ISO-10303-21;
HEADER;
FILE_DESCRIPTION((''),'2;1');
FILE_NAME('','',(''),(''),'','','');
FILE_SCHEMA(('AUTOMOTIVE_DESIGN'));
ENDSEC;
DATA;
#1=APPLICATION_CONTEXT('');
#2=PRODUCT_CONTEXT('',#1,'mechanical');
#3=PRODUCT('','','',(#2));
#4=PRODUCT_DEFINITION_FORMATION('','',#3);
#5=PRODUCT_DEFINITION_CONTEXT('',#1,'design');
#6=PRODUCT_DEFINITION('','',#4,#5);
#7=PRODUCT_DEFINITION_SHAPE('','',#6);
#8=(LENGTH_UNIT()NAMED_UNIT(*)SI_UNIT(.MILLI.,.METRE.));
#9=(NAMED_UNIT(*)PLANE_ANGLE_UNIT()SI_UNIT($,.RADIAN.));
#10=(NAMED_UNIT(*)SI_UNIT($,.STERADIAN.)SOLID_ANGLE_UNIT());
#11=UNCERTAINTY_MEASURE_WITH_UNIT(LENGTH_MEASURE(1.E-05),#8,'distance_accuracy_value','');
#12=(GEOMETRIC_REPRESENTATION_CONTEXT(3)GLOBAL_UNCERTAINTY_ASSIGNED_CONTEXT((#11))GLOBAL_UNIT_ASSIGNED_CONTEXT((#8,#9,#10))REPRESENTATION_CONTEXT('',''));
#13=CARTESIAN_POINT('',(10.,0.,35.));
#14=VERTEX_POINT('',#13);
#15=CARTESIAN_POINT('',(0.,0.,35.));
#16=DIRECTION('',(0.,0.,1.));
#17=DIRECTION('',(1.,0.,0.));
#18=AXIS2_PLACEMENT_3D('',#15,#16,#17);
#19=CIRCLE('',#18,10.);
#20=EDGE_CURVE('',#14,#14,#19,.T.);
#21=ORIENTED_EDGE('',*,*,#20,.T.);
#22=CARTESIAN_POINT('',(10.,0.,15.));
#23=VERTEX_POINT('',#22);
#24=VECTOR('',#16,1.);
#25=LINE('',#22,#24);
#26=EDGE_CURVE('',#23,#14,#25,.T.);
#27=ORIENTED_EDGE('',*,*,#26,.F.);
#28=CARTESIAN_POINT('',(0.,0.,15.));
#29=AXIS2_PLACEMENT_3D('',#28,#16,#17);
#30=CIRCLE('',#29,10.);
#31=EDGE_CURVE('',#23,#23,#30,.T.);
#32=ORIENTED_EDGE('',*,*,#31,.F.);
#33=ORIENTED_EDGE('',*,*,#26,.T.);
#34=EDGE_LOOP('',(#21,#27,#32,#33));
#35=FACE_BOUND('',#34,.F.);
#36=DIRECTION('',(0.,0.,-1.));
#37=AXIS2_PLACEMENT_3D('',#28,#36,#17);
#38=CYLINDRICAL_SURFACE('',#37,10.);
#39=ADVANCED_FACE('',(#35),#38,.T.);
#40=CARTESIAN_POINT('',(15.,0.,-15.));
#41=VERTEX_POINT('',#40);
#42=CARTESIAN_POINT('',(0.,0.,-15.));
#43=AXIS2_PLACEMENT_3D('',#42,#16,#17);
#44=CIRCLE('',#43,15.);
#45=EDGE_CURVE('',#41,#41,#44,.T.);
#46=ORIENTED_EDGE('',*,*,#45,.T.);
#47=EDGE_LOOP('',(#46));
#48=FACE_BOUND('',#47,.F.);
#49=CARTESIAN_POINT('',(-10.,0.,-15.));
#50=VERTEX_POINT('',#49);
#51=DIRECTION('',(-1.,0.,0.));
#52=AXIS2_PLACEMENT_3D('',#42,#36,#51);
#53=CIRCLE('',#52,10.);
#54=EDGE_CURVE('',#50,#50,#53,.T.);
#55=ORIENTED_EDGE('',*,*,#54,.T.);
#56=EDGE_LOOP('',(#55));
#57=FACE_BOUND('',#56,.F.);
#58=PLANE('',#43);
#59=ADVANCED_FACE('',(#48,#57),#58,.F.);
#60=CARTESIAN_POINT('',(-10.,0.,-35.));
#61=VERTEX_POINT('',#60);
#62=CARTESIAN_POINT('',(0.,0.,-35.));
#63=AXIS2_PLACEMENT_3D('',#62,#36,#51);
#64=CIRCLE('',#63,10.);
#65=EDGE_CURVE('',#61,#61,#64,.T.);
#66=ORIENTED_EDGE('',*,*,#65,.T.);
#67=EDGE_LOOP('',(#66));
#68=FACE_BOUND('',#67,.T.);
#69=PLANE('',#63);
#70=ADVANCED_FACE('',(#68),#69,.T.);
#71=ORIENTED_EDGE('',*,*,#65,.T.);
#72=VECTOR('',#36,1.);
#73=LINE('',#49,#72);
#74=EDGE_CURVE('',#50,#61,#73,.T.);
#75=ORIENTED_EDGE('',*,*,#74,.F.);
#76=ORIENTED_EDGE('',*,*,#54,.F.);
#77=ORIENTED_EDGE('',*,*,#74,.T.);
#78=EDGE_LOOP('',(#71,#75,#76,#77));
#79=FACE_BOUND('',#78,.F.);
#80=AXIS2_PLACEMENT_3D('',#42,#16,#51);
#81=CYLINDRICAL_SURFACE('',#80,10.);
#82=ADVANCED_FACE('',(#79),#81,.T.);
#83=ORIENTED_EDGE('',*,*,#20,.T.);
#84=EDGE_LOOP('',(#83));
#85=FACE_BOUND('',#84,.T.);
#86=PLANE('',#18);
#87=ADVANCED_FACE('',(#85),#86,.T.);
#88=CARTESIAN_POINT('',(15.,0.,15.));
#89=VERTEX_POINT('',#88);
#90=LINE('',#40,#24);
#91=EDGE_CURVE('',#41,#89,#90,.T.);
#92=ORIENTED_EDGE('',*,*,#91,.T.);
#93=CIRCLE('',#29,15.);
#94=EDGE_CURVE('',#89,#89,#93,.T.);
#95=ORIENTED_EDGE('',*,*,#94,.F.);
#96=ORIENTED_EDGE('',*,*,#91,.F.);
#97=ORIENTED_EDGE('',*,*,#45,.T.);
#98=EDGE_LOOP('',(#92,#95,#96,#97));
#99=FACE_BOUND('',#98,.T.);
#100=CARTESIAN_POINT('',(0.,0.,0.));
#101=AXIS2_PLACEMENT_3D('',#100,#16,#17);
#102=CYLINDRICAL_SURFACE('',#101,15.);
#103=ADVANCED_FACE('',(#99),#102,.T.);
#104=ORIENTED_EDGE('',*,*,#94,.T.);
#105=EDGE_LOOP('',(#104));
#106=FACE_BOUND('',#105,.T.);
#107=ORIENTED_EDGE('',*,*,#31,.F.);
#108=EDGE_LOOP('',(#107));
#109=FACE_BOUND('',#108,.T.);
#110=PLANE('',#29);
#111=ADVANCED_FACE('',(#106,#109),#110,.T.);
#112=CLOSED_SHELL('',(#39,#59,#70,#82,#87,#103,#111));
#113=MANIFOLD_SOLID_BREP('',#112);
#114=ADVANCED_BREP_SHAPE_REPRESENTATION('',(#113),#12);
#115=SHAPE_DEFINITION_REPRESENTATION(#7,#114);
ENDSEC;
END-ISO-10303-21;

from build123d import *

# Parameters (mm, degrees)
SKETCH1_R           = 15
BOSS_EXTRUDE1_DEPTH = 15
SKETCH2_R           = 10
BOSS_EXTRUDE2_DEPTH = 20
BOSS_EXTRUDE3_START = 20
SKETCH3_R           = 10
BOSS_EXTRUDE3_DEPTH = 20


with BuildPart() as part:
    # Sketch1 → Boss-Extrude1 (new, symmetric)
    with BuildSketch(Plane.XY):
        Circle(SKETCH1_R)
    extrude(amount=BOSS_EXTRUDE1_DEPTH, both=True)

    # Sketch2 → Boss-Extrude2 (add)
    with BuildSketch(Plane.XY.offset(15)):
        Circle(SKETCH2_R)
    extrude(amount=BOSS_EXTRUDE2_DEPTH)

    # Sketch3 → Boss-Extrude3 (add)
    with BuildSketch(Plane(origin=(0, 0, -15), x_dir=(-1, 0, 0), z_dir=(0, 0, -1)).offset(BOSS_EXTRUDE3_START)):
        Circle(SKETCH3_R)
    extrude(amount=-BOSS_EXTRUDE3_DEPTH)


solid = part.part
